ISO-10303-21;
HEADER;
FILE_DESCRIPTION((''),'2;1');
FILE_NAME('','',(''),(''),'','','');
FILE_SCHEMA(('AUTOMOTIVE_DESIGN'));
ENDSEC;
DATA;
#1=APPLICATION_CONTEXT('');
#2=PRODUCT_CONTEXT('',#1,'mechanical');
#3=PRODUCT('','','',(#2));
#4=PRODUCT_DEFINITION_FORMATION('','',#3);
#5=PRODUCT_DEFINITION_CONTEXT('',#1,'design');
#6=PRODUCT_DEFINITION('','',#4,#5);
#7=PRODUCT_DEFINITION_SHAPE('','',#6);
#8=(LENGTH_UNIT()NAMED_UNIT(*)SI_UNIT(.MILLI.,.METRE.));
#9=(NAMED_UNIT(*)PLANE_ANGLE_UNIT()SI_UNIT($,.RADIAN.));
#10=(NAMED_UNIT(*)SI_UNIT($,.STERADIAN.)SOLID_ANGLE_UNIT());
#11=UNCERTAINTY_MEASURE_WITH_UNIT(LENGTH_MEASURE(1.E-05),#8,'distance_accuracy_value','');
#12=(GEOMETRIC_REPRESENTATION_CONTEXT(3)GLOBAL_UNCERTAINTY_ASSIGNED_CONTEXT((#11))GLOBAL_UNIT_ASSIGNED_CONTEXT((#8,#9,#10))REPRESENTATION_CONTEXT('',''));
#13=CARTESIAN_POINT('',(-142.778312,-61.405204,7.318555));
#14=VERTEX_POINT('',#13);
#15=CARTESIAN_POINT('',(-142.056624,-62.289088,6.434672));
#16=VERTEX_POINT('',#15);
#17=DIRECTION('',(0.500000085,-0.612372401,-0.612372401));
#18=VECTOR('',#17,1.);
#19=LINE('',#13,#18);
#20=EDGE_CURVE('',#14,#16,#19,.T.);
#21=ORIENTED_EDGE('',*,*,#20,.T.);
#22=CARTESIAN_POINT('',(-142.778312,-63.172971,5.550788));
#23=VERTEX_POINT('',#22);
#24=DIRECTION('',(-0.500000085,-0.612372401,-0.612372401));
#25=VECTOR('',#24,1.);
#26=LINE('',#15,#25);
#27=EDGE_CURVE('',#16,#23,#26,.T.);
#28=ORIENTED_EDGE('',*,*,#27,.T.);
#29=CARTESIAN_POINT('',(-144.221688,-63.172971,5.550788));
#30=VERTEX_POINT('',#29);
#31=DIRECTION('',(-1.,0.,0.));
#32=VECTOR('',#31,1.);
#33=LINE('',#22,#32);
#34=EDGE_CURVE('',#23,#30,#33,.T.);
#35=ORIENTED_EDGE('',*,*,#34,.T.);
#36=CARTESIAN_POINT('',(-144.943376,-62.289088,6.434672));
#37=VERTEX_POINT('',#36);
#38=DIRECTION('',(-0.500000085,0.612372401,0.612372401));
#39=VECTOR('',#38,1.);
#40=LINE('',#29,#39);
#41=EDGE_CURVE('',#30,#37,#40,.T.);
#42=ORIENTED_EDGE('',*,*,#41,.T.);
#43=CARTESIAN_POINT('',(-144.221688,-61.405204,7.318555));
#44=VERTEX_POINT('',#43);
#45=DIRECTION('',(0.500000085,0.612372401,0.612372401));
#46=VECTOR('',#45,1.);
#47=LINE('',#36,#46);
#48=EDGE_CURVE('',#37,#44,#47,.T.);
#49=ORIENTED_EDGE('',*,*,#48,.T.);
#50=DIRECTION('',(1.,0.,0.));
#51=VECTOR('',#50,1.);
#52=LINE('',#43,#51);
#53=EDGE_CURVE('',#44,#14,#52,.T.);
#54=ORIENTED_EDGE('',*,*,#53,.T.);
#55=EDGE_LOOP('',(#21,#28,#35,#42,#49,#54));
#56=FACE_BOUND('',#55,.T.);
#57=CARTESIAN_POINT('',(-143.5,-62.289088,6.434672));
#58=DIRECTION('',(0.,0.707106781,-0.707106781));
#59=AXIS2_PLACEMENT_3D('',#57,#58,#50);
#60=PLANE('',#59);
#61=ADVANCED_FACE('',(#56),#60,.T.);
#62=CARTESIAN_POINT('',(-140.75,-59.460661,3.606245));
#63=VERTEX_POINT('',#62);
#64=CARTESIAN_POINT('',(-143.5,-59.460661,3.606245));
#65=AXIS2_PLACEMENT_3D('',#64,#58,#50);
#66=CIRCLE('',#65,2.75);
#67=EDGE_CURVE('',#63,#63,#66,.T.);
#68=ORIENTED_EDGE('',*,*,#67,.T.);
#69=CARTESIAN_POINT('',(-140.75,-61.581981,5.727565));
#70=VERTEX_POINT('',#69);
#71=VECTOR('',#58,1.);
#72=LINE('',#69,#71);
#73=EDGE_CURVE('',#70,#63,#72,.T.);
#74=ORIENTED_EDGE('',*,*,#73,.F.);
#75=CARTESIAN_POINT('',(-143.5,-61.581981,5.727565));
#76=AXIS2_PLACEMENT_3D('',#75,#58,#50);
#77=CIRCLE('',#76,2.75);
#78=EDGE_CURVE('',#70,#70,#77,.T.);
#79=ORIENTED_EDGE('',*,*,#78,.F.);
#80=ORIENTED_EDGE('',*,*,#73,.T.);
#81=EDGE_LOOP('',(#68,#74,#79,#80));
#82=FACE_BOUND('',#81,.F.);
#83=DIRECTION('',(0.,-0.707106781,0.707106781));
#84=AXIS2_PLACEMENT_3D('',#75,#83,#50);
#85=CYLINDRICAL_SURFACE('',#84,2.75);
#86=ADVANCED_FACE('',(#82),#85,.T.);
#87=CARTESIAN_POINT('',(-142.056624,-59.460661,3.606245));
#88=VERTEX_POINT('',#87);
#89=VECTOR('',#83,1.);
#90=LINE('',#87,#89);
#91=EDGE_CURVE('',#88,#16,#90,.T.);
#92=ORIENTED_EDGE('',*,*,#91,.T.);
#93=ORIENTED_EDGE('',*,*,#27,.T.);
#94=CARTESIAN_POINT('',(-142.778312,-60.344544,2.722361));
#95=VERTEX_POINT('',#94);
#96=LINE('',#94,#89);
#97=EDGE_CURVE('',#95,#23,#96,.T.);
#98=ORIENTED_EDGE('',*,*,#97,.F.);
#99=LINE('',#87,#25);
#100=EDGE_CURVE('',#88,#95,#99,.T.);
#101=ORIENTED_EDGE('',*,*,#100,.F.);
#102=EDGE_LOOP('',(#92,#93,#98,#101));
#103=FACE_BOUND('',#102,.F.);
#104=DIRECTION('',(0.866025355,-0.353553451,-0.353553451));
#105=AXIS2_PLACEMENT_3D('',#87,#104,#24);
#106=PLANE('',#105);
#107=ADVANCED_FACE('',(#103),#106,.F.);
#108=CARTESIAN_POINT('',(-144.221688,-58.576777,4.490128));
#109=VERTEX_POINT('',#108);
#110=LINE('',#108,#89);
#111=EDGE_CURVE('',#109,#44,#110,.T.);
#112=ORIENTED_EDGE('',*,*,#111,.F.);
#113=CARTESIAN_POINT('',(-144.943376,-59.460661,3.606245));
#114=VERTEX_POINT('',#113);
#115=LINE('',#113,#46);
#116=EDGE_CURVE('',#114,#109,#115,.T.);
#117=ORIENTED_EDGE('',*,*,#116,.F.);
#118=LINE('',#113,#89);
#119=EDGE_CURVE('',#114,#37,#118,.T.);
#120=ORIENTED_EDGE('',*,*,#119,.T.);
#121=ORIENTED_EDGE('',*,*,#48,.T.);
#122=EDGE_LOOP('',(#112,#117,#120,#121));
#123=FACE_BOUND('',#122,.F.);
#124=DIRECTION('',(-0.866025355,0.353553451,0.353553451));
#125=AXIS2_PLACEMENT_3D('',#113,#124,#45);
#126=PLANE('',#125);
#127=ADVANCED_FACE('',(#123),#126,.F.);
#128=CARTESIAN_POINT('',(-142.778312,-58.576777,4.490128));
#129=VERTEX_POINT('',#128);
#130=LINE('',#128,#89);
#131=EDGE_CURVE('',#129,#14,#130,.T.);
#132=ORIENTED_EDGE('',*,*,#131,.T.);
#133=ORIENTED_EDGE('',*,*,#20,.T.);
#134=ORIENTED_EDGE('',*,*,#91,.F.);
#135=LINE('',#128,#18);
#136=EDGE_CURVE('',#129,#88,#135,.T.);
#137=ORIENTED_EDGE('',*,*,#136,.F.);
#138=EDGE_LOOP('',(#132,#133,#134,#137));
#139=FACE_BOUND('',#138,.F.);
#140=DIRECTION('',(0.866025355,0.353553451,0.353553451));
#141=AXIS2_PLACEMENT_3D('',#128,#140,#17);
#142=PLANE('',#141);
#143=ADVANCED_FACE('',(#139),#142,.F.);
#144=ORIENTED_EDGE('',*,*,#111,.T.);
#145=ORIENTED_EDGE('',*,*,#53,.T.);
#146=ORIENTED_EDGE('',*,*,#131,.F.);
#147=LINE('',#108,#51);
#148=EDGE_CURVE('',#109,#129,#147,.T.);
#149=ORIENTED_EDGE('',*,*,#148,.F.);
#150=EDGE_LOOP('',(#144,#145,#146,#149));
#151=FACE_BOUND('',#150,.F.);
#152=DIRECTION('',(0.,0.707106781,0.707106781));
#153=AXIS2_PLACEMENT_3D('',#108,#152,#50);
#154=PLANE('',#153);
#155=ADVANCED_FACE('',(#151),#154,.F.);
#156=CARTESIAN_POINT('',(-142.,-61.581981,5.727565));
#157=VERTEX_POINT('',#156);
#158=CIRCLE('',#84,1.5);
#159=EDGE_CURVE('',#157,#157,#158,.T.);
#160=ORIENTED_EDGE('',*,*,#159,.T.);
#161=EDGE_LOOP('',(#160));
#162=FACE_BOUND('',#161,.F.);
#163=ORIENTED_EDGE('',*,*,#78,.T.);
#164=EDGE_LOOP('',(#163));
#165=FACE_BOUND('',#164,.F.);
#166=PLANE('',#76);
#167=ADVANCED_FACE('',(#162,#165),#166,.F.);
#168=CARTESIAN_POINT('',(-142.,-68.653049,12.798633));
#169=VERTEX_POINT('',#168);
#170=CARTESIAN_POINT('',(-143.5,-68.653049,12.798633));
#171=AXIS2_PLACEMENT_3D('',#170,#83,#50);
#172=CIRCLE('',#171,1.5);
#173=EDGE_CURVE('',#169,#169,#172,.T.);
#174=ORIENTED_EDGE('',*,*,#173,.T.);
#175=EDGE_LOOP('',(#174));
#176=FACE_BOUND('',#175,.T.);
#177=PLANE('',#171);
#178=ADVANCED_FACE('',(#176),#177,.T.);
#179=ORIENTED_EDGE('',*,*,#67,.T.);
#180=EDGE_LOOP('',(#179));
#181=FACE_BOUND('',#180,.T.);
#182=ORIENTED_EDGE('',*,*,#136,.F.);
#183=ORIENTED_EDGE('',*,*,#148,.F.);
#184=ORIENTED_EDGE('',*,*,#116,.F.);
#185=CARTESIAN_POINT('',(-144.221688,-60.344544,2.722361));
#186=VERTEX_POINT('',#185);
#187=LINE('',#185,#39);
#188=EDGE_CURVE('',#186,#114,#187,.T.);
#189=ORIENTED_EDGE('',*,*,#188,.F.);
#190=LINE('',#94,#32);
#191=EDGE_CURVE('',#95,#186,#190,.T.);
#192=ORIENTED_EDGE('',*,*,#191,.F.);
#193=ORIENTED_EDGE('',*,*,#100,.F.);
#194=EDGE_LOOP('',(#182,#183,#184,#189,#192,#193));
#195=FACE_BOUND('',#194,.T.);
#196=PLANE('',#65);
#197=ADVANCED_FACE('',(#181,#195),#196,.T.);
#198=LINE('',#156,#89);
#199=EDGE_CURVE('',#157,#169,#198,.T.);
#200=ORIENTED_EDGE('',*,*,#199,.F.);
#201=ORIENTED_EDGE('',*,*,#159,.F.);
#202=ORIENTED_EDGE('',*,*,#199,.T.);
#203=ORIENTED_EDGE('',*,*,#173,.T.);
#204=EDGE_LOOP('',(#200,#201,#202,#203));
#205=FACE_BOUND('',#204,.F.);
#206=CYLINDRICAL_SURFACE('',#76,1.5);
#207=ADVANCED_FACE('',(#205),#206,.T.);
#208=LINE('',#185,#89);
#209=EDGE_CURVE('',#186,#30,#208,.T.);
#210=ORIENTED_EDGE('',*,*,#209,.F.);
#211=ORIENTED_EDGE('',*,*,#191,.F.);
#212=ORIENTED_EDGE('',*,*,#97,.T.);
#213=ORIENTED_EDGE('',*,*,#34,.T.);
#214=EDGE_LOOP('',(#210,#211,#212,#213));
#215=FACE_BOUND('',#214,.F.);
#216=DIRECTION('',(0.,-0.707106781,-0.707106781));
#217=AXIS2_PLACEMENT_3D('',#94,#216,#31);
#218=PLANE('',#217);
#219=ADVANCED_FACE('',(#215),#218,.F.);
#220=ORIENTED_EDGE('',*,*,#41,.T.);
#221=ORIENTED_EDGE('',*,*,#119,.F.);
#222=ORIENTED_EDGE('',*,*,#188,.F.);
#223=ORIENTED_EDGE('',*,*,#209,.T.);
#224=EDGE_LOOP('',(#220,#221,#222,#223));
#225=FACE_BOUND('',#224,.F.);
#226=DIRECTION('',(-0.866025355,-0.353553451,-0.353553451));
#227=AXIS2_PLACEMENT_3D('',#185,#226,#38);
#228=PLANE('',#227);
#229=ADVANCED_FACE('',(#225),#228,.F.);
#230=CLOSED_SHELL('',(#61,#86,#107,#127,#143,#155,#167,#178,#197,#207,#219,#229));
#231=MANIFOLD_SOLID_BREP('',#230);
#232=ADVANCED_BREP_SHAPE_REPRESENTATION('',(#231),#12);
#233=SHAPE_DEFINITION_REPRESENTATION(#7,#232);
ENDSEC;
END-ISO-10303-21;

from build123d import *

# Parameters (mm, degrees)
SKETCH022_R             = 2.75
PAD011_DEPTH            = 3
SKETCH023_R             = 1.5
PAD010_DEPTH            = 10
POCKET012_DEPTH         = 4
BODY004_PLACEMENT_ANGLE = 225


with BuildPart() as part:
    # Sketch022 → Pad011 (new body)
    with BuildSketch(Plane.XY):
        Circle(SKETCH022_R)
    extrude(amount=PAD011_DEPTH)

    # Sketch023 (on Face2 of Pad011) → Pad010 (join)
    with BuildSketch(Plane(origin=(0, 0, 0), x_dir=(1, 0, 0), z_dir=(0, 0, -1))):
        Circle(SKETCH023_R)
    extrude(amount=PAD010_DEPTH)

    # Sketch024 (on DatumPlane) → Pocket012 (cut)
    with BuildSketch(Plane.XY.offset(3)):
        Polygon((0.721688, -1.25), (1.443376, 0), (0.721688, 1.25), (-0.721688, 1.25), (-1.443376, 0), (-0.721688, -1.25), align=None)
    extrude(amount=-POCKET012_DEPTH, mode=Mode.SUBTRACT)


with BuildPart() as part_1:
    # Body004 placement: moved
    add(part.part.moved(Location((-143.5, -61.581981, 5.727565))).rotate(Axis((-143.5, -61.581981, 5.727565), (1, 0, 0)), BODY004_PLACEMENT_ANGLE))


solid = part_1.part
